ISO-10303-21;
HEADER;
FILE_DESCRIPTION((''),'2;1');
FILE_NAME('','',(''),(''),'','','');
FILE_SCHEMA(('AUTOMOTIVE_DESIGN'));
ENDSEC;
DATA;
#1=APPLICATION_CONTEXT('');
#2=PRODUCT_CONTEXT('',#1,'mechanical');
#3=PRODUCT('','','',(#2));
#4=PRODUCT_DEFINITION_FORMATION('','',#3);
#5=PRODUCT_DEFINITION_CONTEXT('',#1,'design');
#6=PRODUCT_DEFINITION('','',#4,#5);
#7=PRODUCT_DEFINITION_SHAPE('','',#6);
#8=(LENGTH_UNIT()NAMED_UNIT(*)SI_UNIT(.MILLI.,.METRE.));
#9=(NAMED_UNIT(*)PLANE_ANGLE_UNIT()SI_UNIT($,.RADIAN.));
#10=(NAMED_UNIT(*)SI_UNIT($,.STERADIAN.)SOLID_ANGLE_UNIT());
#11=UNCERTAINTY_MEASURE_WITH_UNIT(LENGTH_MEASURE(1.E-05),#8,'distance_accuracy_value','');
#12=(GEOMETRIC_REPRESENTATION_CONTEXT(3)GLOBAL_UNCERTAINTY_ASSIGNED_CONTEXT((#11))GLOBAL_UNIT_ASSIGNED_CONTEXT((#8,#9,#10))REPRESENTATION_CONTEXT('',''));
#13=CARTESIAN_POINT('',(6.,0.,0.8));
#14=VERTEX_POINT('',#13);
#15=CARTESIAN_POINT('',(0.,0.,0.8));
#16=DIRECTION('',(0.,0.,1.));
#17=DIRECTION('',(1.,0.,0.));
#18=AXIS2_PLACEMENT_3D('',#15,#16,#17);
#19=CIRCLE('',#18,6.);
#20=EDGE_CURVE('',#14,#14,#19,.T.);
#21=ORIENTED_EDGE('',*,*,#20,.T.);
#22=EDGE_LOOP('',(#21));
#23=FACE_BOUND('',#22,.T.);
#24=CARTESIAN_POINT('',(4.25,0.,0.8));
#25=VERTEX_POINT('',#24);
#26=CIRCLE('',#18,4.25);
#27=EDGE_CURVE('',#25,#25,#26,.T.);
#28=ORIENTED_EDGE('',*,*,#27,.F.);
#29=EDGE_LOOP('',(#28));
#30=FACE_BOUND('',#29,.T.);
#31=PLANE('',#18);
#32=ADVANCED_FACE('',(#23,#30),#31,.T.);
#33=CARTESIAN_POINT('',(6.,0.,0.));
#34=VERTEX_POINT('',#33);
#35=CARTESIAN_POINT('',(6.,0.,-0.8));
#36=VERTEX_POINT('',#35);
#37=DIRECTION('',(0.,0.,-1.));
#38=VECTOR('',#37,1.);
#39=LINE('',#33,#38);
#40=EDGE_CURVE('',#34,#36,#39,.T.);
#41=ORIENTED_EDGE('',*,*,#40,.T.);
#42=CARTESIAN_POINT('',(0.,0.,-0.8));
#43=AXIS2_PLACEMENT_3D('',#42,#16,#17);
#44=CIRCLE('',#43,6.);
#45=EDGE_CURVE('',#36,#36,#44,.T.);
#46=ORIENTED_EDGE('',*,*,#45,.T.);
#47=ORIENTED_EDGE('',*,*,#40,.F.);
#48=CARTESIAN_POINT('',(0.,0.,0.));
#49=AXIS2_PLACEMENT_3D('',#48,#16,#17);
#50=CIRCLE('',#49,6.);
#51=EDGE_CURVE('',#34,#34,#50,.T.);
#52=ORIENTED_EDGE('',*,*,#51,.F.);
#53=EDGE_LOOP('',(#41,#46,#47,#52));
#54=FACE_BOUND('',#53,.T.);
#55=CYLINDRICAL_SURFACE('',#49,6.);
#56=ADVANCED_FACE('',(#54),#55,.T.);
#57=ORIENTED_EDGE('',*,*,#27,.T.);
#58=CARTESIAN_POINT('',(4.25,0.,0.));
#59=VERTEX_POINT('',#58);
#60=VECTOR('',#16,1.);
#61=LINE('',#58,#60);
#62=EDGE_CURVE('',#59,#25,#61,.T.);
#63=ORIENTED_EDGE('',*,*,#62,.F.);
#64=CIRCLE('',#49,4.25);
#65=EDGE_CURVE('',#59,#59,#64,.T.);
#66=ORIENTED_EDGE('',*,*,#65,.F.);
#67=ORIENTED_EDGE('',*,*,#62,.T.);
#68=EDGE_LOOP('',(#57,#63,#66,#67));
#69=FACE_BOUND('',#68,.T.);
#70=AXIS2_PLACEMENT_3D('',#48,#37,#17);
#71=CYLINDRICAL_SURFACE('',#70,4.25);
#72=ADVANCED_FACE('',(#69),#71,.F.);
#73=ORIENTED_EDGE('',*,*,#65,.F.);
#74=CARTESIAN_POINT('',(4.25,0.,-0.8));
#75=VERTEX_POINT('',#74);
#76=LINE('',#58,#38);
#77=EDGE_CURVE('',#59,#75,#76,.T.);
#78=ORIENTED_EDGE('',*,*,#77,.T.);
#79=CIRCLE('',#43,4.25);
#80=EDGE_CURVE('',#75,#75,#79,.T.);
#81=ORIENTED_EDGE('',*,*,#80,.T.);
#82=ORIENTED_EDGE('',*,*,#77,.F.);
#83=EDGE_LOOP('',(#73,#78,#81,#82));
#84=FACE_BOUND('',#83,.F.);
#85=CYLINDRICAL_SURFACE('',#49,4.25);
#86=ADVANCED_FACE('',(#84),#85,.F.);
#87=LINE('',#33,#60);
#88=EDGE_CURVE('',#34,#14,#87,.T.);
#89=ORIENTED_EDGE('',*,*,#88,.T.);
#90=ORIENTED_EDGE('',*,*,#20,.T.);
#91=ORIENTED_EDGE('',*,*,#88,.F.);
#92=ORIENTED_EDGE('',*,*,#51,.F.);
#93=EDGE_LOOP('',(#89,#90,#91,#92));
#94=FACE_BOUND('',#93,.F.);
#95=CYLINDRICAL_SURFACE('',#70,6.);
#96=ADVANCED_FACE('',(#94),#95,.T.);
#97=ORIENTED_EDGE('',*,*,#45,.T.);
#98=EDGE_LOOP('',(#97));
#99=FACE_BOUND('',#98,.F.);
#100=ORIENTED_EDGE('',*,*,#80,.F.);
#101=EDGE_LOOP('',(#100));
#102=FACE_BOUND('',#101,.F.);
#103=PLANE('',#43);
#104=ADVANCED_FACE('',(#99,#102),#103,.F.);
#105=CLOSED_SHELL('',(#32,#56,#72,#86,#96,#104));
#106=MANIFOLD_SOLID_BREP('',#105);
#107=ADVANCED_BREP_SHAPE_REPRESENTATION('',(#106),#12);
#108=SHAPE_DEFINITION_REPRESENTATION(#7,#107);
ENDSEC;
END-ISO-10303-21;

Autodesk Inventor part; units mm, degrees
ref_plane "YZ Plane" through (0, 0, 0) normal (1, 0, 0) x (0, 1, 0)
ref_plane "XZ Plane" through (0, 0, 0) normal (0, 1, 0) x (-1, 0, 0)
ref_plane "XY Plane" through (0, 0, 0) normal (0, 0, 1) x (1, 0, 0)
sketch "スケッチ1" plane through (0, 0, 0) normal (0, 0, 1) x (1, 0, 0)
  circle A0 centre (0, 0) radius 4.25
  circle A1 centre (0, 0) radius 6
  dimension "d0" = 8.5
  dimension "d1" = 12
extrude "押し出し1" add sketch "スケッチ1" along normal mid plane 1.6
properties part number "base48" material "ABS プラスチック"
